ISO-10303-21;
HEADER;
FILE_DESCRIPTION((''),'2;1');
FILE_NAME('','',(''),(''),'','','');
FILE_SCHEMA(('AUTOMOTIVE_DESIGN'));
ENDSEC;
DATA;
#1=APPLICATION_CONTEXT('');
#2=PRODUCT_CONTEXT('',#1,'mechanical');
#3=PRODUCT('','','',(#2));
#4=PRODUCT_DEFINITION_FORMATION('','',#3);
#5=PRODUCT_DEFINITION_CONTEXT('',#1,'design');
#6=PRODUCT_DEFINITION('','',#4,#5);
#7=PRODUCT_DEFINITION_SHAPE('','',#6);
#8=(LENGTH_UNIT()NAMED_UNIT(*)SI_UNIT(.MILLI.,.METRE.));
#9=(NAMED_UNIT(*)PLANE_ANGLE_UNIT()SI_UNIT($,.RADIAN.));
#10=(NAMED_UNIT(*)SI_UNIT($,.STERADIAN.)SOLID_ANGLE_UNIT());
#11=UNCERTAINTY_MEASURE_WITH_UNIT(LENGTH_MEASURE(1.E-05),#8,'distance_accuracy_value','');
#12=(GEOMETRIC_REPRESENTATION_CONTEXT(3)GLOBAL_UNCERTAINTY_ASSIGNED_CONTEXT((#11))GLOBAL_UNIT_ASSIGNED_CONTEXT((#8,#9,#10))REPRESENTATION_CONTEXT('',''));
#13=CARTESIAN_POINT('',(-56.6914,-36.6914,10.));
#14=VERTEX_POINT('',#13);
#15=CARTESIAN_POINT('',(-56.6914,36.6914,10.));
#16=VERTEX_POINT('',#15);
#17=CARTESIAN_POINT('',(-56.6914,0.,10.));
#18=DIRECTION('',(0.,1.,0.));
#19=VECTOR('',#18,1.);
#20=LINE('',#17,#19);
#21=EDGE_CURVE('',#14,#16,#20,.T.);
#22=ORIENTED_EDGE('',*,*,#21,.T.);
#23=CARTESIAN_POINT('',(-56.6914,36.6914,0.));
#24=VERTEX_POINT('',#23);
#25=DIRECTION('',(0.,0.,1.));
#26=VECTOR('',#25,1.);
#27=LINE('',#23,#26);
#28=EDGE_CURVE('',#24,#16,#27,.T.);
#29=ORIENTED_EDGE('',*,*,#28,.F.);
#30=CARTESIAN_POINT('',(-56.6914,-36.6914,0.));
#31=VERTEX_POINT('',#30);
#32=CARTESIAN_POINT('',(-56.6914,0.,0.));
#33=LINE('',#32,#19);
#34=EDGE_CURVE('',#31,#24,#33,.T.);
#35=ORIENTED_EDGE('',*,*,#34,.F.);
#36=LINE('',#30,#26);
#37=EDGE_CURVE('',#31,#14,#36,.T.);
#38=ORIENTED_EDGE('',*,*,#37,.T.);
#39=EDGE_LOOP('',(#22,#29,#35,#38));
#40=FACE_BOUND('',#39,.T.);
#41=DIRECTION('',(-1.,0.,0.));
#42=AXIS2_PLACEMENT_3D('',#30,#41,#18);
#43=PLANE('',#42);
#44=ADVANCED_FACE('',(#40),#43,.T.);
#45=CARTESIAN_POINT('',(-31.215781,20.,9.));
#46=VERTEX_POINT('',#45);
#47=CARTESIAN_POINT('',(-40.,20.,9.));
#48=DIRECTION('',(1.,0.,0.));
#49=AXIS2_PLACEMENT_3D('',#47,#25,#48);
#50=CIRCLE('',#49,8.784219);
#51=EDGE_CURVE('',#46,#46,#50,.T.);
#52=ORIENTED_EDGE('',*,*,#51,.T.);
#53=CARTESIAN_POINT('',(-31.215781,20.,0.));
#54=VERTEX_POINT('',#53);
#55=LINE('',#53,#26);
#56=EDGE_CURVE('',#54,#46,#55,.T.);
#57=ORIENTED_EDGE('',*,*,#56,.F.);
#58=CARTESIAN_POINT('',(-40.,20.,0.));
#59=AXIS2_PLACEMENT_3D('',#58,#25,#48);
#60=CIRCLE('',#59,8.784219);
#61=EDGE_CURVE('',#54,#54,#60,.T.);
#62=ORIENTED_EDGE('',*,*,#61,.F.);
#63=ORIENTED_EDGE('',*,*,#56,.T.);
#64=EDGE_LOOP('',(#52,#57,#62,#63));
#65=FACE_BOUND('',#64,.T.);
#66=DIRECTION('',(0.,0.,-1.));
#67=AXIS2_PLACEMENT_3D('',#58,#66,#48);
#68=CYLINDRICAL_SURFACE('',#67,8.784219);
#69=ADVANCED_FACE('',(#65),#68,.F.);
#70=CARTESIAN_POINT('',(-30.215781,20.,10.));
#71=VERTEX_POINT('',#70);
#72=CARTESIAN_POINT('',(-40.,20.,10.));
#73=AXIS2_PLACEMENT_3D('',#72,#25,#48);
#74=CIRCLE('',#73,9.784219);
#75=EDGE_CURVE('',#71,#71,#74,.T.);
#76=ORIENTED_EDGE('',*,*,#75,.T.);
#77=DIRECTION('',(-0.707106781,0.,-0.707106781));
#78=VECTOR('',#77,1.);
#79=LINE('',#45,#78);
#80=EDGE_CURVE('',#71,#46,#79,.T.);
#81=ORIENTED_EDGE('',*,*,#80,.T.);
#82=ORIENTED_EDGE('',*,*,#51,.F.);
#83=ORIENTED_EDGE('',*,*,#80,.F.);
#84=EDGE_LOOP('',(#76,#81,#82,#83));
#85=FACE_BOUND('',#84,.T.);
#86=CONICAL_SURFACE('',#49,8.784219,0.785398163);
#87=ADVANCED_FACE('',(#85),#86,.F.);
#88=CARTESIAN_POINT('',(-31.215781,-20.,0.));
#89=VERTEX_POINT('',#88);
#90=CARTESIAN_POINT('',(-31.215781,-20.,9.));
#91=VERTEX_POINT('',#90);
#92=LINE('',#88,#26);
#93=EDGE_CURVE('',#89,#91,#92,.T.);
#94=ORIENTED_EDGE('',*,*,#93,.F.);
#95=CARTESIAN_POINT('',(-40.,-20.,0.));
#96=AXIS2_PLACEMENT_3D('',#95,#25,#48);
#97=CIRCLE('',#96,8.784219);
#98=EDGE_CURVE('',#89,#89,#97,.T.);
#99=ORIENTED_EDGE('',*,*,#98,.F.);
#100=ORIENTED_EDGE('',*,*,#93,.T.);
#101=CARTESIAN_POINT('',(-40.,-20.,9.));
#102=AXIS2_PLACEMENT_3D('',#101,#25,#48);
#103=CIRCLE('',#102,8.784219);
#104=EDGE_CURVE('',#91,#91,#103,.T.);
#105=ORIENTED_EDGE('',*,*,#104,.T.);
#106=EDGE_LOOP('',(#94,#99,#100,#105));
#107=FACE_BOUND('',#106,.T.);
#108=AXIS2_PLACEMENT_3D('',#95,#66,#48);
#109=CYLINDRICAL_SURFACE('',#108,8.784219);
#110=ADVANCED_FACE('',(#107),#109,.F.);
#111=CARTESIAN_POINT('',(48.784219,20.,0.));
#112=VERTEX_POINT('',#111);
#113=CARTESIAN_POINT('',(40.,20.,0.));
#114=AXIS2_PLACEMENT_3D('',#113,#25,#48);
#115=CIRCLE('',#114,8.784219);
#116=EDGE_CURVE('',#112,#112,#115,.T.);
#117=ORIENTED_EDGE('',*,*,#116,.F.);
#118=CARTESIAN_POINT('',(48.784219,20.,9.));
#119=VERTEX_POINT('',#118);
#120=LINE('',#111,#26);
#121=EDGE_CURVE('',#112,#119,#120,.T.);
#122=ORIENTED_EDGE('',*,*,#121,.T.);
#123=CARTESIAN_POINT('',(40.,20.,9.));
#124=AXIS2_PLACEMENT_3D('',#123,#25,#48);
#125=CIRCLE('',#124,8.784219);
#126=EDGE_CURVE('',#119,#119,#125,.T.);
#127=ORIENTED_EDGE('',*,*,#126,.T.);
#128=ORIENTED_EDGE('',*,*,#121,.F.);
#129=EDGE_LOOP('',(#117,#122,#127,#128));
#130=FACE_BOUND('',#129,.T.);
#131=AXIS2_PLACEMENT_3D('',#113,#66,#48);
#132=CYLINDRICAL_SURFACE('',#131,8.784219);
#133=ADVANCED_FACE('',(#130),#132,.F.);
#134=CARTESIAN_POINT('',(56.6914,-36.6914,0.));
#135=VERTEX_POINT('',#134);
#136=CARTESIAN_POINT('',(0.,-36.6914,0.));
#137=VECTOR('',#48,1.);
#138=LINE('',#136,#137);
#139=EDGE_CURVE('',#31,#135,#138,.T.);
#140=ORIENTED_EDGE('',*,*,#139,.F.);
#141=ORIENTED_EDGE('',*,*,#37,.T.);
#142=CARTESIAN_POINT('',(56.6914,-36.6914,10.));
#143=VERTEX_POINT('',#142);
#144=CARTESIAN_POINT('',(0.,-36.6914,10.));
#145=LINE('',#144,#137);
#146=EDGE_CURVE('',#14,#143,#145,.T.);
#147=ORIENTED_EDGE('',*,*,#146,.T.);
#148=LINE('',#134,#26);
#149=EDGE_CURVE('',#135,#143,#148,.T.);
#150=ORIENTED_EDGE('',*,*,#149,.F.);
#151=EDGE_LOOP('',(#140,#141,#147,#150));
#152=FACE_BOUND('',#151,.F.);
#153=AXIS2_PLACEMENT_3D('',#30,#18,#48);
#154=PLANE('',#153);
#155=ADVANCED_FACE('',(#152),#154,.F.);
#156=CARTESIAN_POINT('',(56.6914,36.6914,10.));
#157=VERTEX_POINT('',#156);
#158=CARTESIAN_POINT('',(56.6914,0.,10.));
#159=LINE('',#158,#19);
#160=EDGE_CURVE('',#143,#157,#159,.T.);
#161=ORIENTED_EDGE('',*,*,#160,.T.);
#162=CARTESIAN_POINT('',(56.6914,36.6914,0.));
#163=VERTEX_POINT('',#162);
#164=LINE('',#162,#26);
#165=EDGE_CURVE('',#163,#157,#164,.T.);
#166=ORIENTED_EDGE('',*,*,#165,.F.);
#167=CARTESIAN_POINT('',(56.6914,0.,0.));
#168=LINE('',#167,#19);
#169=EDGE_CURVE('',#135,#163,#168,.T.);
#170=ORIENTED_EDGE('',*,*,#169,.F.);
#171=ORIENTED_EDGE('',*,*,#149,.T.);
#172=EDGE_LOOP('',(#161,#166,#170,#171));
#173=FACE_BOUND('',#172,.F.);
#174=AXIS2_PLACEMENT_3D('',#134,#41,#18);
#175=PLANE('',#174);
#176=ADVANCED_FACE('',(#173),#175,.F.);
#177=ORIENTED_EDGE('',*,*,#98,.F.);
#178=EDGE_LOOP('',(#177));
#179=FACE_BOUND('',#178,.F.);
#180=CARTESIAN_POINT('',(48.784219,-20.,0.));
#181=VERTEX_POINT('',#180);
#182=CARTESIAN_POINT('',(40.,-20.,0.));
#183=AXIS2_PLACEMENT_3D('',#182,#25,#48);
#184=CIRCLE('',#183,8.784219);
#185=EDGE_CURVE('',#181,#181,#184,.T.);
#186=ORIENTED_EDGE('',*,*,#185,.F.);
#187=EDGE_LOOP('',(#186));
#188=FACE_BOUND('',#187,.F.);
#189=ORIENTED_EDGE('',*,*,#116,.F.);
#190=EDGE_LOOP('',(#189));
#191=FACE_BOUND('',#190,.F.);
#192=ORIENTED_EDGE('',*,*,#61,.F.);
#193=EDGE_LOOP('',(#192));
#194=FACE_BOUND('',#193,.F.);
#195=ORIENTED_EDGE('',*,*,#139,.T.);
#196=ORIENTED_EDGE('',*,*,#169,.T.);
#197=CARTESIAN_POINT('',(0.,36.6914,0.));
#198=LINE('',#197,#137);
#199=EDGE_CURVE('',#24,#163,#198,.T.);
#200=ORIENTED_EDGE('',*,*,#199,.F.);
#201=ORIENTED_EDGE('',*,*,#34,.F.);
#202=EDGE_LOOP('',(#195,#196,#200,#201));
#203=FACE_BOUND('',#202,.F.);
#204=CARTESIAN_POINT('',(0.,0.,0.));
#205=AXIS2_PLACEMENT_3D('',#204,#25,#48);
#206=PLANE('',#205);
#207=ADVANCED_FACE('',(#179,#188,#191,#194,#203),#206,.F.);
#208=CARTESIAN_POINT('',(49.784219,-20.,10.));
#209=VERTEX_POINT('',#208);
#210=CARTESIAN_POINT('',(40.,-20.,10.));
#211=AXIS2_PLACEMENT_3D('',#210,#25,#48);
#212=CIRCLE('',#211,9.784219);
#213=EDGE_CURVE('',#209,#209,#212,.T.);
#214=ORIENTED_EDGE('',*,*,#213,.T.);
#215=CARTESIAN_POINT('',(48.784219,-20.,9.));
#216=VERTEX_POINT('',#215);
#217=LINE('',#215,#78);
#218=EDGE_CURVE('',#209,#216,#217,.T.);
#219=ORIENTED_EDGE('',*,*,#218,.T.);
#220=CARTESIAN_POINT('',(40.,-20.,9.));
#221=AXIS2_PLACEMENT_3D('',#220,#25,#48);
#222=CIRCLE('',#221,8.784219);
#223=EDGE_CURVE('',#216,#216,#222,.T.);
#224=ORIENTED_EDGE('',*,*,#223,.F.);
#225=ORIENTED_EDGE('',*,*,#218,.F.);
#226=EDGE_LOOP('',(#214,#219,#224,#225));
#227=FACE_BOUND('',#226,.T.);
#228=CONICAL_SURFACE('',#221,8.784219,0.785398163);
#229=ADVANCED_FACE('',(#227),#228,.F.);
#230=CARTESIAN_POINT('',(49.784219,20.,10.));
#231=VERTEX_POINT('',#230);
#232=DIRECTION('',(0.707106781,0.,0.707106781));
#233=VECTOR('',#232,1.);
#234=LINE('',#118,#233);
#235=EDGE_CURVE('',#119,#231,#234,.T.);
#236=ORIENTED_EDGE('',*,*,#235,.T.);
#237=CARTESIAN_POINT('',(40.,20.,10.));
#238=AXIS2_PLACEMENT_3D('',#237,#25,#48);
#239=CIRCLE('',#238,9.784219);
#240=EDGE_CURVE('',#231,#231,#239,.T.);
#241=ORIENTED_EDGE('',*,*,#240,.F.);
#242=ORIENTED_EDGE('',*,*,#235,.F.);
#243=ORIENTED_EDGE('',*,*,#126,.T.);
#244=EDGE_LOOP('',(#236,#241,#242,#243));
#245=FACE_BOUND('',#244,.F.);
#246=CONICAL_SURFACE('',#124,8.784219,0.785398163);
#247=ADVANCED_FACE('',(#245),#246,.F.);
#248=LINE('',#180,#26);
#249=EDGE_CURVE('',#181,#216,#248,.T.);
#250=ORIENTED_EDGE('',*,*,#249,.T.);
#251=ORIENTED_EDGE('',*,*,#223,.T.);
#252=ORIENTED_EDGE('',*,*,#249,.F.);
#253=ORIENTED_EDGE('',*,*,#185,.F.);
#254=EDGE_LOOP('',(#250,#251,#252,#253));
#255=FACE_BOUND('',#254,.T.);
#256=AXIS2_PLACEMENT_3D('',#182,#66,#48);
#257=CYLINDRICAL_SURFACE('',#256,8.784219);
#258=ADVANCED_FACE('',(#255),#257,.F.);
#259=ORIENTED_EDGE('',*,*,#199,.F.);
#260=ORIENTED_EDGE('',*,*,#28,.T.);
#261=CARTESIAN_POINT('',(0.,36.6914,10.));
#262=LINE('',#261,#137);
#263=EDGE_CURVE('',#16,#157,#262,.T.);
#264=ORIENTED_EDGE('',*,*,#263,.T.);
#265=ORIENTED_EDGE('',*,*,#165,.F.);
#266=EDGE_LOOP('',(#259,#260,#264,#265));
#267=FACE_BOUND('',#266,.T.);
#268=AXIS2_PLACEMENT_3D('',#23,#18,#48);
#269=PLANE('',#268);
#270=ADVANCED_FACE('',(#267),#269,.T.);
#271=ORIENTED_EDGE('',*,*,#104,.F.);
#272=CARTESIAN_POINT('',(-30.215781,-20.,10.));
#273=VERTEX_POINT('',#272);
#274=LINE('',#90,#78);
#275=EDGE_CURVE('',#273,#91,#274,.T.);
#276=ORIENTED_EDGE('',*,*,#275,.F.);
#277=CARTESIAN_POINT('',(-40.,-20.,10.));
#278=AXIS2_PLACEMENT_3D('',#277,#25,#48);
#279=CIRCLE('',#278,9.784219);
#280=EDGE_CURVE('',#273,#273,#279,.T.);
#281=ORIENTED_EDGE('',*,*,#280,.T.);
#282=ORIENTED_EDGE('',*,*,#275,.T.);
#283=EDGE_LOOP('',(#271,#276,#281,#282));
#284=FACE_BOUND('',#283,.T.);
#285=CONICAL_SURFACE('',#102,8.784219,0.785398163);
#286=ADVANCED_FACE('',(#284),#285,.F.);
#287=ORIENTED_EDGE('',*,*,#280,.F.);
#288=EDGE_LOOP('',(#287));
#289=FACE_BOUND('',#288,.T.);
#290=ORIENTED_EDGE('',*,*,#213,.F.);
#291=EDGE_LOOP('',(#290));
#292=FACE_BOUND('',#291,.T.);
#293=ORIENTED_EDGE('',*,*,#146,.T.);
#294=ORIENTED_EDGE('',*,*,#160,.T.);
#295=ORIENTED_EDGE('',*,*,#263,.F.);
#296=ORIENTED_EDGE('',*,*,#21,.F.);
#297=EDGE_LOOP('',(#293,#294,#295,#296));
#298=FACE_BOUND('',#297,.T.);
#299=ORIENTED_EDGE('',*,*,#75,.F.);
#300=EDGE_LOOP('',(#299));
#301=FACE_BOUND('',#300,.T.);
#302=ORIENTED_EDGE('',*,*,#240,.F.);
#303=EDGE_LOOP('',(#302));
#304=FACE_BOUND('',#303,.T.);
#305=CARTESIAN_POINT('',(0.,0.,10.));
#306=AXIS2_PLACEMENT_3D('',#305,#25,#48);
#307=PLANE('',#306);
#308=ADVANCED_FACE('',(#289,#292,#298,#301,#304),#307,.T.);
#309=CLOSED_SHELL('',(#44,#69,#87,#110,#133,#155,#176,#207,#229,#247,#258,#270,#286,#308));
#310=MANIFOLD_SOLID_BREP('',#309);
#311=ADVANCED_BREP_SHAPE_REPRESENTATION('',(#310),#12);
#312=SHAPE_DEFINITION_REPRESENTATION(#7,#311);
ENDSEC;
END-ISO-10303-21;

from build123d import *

# Parameters (mm, degrees)
SKETCH_W        = 113.3828
SKETCH_H        = 73.3828
SKETCH_R        = 8.784219
PAD_DEPTH       = 10
CHAMFER_SIZE    = 1
CHAMFER001_SIZE = 1
CHAMFER002_SIZE = 1
CHAMFER003_SIZE = 1


with BuildPart() as part:
    # Sketch → Pad (new body)
    with BuildSketch(Plane.XY):
        Rectangle(SKETCH_W, SKETCH_H)
        with Locations((-40, 20)):
            Circle(SKETCH_R, mode=Mode.SUBTRACT)
        with Locations((-40, -20)):
            Circle(SKETCH_R, mode=Mode.SUBTRACT)
        with Locations((40, -20)):
            Circle(SKETCH_R, mode=Mode.SUBTRACT)
        with Locations((40, 20)):
            Circle(SKETCH_R, mode=Mode.SUBTRACT)
    extrude(amount=PAD_DEPTH)

    # Chamfer
    chamfer_edges = [part.edges().sort_by_distance(p)[0] for p in [
        (31.215781, 20, 10),
    ]]
    chamfer(chamfer_edges, length=CHAMFER_SIZE)

    # Chamfer001
    chamfer001_edges = [part.edges().sort_by_distance(p)[0] for p in [
        (31.215781, -20, 10),
    ]]
    chamfer(chamfer001_edges, length=CHAMFER001_SIZE)

    # Chamfer002
    chamfer002_edges = [part.edges().sort_by_distance(p)[0] for p in [
        (-48.784219, 20, 10),
    ]]
    chamfer(chamfer002_edges, length=CHAMFER002_SIZE)

    # Chamfer003
    chamfer003_edges = [part.edges().sort_by_distance(p)[0] for p in [
        (-48.784219, -20, 10),
    ]]
    chamfer(chamfer003_edges, length=CHAMFER003_SIZE)


solid = part.part
